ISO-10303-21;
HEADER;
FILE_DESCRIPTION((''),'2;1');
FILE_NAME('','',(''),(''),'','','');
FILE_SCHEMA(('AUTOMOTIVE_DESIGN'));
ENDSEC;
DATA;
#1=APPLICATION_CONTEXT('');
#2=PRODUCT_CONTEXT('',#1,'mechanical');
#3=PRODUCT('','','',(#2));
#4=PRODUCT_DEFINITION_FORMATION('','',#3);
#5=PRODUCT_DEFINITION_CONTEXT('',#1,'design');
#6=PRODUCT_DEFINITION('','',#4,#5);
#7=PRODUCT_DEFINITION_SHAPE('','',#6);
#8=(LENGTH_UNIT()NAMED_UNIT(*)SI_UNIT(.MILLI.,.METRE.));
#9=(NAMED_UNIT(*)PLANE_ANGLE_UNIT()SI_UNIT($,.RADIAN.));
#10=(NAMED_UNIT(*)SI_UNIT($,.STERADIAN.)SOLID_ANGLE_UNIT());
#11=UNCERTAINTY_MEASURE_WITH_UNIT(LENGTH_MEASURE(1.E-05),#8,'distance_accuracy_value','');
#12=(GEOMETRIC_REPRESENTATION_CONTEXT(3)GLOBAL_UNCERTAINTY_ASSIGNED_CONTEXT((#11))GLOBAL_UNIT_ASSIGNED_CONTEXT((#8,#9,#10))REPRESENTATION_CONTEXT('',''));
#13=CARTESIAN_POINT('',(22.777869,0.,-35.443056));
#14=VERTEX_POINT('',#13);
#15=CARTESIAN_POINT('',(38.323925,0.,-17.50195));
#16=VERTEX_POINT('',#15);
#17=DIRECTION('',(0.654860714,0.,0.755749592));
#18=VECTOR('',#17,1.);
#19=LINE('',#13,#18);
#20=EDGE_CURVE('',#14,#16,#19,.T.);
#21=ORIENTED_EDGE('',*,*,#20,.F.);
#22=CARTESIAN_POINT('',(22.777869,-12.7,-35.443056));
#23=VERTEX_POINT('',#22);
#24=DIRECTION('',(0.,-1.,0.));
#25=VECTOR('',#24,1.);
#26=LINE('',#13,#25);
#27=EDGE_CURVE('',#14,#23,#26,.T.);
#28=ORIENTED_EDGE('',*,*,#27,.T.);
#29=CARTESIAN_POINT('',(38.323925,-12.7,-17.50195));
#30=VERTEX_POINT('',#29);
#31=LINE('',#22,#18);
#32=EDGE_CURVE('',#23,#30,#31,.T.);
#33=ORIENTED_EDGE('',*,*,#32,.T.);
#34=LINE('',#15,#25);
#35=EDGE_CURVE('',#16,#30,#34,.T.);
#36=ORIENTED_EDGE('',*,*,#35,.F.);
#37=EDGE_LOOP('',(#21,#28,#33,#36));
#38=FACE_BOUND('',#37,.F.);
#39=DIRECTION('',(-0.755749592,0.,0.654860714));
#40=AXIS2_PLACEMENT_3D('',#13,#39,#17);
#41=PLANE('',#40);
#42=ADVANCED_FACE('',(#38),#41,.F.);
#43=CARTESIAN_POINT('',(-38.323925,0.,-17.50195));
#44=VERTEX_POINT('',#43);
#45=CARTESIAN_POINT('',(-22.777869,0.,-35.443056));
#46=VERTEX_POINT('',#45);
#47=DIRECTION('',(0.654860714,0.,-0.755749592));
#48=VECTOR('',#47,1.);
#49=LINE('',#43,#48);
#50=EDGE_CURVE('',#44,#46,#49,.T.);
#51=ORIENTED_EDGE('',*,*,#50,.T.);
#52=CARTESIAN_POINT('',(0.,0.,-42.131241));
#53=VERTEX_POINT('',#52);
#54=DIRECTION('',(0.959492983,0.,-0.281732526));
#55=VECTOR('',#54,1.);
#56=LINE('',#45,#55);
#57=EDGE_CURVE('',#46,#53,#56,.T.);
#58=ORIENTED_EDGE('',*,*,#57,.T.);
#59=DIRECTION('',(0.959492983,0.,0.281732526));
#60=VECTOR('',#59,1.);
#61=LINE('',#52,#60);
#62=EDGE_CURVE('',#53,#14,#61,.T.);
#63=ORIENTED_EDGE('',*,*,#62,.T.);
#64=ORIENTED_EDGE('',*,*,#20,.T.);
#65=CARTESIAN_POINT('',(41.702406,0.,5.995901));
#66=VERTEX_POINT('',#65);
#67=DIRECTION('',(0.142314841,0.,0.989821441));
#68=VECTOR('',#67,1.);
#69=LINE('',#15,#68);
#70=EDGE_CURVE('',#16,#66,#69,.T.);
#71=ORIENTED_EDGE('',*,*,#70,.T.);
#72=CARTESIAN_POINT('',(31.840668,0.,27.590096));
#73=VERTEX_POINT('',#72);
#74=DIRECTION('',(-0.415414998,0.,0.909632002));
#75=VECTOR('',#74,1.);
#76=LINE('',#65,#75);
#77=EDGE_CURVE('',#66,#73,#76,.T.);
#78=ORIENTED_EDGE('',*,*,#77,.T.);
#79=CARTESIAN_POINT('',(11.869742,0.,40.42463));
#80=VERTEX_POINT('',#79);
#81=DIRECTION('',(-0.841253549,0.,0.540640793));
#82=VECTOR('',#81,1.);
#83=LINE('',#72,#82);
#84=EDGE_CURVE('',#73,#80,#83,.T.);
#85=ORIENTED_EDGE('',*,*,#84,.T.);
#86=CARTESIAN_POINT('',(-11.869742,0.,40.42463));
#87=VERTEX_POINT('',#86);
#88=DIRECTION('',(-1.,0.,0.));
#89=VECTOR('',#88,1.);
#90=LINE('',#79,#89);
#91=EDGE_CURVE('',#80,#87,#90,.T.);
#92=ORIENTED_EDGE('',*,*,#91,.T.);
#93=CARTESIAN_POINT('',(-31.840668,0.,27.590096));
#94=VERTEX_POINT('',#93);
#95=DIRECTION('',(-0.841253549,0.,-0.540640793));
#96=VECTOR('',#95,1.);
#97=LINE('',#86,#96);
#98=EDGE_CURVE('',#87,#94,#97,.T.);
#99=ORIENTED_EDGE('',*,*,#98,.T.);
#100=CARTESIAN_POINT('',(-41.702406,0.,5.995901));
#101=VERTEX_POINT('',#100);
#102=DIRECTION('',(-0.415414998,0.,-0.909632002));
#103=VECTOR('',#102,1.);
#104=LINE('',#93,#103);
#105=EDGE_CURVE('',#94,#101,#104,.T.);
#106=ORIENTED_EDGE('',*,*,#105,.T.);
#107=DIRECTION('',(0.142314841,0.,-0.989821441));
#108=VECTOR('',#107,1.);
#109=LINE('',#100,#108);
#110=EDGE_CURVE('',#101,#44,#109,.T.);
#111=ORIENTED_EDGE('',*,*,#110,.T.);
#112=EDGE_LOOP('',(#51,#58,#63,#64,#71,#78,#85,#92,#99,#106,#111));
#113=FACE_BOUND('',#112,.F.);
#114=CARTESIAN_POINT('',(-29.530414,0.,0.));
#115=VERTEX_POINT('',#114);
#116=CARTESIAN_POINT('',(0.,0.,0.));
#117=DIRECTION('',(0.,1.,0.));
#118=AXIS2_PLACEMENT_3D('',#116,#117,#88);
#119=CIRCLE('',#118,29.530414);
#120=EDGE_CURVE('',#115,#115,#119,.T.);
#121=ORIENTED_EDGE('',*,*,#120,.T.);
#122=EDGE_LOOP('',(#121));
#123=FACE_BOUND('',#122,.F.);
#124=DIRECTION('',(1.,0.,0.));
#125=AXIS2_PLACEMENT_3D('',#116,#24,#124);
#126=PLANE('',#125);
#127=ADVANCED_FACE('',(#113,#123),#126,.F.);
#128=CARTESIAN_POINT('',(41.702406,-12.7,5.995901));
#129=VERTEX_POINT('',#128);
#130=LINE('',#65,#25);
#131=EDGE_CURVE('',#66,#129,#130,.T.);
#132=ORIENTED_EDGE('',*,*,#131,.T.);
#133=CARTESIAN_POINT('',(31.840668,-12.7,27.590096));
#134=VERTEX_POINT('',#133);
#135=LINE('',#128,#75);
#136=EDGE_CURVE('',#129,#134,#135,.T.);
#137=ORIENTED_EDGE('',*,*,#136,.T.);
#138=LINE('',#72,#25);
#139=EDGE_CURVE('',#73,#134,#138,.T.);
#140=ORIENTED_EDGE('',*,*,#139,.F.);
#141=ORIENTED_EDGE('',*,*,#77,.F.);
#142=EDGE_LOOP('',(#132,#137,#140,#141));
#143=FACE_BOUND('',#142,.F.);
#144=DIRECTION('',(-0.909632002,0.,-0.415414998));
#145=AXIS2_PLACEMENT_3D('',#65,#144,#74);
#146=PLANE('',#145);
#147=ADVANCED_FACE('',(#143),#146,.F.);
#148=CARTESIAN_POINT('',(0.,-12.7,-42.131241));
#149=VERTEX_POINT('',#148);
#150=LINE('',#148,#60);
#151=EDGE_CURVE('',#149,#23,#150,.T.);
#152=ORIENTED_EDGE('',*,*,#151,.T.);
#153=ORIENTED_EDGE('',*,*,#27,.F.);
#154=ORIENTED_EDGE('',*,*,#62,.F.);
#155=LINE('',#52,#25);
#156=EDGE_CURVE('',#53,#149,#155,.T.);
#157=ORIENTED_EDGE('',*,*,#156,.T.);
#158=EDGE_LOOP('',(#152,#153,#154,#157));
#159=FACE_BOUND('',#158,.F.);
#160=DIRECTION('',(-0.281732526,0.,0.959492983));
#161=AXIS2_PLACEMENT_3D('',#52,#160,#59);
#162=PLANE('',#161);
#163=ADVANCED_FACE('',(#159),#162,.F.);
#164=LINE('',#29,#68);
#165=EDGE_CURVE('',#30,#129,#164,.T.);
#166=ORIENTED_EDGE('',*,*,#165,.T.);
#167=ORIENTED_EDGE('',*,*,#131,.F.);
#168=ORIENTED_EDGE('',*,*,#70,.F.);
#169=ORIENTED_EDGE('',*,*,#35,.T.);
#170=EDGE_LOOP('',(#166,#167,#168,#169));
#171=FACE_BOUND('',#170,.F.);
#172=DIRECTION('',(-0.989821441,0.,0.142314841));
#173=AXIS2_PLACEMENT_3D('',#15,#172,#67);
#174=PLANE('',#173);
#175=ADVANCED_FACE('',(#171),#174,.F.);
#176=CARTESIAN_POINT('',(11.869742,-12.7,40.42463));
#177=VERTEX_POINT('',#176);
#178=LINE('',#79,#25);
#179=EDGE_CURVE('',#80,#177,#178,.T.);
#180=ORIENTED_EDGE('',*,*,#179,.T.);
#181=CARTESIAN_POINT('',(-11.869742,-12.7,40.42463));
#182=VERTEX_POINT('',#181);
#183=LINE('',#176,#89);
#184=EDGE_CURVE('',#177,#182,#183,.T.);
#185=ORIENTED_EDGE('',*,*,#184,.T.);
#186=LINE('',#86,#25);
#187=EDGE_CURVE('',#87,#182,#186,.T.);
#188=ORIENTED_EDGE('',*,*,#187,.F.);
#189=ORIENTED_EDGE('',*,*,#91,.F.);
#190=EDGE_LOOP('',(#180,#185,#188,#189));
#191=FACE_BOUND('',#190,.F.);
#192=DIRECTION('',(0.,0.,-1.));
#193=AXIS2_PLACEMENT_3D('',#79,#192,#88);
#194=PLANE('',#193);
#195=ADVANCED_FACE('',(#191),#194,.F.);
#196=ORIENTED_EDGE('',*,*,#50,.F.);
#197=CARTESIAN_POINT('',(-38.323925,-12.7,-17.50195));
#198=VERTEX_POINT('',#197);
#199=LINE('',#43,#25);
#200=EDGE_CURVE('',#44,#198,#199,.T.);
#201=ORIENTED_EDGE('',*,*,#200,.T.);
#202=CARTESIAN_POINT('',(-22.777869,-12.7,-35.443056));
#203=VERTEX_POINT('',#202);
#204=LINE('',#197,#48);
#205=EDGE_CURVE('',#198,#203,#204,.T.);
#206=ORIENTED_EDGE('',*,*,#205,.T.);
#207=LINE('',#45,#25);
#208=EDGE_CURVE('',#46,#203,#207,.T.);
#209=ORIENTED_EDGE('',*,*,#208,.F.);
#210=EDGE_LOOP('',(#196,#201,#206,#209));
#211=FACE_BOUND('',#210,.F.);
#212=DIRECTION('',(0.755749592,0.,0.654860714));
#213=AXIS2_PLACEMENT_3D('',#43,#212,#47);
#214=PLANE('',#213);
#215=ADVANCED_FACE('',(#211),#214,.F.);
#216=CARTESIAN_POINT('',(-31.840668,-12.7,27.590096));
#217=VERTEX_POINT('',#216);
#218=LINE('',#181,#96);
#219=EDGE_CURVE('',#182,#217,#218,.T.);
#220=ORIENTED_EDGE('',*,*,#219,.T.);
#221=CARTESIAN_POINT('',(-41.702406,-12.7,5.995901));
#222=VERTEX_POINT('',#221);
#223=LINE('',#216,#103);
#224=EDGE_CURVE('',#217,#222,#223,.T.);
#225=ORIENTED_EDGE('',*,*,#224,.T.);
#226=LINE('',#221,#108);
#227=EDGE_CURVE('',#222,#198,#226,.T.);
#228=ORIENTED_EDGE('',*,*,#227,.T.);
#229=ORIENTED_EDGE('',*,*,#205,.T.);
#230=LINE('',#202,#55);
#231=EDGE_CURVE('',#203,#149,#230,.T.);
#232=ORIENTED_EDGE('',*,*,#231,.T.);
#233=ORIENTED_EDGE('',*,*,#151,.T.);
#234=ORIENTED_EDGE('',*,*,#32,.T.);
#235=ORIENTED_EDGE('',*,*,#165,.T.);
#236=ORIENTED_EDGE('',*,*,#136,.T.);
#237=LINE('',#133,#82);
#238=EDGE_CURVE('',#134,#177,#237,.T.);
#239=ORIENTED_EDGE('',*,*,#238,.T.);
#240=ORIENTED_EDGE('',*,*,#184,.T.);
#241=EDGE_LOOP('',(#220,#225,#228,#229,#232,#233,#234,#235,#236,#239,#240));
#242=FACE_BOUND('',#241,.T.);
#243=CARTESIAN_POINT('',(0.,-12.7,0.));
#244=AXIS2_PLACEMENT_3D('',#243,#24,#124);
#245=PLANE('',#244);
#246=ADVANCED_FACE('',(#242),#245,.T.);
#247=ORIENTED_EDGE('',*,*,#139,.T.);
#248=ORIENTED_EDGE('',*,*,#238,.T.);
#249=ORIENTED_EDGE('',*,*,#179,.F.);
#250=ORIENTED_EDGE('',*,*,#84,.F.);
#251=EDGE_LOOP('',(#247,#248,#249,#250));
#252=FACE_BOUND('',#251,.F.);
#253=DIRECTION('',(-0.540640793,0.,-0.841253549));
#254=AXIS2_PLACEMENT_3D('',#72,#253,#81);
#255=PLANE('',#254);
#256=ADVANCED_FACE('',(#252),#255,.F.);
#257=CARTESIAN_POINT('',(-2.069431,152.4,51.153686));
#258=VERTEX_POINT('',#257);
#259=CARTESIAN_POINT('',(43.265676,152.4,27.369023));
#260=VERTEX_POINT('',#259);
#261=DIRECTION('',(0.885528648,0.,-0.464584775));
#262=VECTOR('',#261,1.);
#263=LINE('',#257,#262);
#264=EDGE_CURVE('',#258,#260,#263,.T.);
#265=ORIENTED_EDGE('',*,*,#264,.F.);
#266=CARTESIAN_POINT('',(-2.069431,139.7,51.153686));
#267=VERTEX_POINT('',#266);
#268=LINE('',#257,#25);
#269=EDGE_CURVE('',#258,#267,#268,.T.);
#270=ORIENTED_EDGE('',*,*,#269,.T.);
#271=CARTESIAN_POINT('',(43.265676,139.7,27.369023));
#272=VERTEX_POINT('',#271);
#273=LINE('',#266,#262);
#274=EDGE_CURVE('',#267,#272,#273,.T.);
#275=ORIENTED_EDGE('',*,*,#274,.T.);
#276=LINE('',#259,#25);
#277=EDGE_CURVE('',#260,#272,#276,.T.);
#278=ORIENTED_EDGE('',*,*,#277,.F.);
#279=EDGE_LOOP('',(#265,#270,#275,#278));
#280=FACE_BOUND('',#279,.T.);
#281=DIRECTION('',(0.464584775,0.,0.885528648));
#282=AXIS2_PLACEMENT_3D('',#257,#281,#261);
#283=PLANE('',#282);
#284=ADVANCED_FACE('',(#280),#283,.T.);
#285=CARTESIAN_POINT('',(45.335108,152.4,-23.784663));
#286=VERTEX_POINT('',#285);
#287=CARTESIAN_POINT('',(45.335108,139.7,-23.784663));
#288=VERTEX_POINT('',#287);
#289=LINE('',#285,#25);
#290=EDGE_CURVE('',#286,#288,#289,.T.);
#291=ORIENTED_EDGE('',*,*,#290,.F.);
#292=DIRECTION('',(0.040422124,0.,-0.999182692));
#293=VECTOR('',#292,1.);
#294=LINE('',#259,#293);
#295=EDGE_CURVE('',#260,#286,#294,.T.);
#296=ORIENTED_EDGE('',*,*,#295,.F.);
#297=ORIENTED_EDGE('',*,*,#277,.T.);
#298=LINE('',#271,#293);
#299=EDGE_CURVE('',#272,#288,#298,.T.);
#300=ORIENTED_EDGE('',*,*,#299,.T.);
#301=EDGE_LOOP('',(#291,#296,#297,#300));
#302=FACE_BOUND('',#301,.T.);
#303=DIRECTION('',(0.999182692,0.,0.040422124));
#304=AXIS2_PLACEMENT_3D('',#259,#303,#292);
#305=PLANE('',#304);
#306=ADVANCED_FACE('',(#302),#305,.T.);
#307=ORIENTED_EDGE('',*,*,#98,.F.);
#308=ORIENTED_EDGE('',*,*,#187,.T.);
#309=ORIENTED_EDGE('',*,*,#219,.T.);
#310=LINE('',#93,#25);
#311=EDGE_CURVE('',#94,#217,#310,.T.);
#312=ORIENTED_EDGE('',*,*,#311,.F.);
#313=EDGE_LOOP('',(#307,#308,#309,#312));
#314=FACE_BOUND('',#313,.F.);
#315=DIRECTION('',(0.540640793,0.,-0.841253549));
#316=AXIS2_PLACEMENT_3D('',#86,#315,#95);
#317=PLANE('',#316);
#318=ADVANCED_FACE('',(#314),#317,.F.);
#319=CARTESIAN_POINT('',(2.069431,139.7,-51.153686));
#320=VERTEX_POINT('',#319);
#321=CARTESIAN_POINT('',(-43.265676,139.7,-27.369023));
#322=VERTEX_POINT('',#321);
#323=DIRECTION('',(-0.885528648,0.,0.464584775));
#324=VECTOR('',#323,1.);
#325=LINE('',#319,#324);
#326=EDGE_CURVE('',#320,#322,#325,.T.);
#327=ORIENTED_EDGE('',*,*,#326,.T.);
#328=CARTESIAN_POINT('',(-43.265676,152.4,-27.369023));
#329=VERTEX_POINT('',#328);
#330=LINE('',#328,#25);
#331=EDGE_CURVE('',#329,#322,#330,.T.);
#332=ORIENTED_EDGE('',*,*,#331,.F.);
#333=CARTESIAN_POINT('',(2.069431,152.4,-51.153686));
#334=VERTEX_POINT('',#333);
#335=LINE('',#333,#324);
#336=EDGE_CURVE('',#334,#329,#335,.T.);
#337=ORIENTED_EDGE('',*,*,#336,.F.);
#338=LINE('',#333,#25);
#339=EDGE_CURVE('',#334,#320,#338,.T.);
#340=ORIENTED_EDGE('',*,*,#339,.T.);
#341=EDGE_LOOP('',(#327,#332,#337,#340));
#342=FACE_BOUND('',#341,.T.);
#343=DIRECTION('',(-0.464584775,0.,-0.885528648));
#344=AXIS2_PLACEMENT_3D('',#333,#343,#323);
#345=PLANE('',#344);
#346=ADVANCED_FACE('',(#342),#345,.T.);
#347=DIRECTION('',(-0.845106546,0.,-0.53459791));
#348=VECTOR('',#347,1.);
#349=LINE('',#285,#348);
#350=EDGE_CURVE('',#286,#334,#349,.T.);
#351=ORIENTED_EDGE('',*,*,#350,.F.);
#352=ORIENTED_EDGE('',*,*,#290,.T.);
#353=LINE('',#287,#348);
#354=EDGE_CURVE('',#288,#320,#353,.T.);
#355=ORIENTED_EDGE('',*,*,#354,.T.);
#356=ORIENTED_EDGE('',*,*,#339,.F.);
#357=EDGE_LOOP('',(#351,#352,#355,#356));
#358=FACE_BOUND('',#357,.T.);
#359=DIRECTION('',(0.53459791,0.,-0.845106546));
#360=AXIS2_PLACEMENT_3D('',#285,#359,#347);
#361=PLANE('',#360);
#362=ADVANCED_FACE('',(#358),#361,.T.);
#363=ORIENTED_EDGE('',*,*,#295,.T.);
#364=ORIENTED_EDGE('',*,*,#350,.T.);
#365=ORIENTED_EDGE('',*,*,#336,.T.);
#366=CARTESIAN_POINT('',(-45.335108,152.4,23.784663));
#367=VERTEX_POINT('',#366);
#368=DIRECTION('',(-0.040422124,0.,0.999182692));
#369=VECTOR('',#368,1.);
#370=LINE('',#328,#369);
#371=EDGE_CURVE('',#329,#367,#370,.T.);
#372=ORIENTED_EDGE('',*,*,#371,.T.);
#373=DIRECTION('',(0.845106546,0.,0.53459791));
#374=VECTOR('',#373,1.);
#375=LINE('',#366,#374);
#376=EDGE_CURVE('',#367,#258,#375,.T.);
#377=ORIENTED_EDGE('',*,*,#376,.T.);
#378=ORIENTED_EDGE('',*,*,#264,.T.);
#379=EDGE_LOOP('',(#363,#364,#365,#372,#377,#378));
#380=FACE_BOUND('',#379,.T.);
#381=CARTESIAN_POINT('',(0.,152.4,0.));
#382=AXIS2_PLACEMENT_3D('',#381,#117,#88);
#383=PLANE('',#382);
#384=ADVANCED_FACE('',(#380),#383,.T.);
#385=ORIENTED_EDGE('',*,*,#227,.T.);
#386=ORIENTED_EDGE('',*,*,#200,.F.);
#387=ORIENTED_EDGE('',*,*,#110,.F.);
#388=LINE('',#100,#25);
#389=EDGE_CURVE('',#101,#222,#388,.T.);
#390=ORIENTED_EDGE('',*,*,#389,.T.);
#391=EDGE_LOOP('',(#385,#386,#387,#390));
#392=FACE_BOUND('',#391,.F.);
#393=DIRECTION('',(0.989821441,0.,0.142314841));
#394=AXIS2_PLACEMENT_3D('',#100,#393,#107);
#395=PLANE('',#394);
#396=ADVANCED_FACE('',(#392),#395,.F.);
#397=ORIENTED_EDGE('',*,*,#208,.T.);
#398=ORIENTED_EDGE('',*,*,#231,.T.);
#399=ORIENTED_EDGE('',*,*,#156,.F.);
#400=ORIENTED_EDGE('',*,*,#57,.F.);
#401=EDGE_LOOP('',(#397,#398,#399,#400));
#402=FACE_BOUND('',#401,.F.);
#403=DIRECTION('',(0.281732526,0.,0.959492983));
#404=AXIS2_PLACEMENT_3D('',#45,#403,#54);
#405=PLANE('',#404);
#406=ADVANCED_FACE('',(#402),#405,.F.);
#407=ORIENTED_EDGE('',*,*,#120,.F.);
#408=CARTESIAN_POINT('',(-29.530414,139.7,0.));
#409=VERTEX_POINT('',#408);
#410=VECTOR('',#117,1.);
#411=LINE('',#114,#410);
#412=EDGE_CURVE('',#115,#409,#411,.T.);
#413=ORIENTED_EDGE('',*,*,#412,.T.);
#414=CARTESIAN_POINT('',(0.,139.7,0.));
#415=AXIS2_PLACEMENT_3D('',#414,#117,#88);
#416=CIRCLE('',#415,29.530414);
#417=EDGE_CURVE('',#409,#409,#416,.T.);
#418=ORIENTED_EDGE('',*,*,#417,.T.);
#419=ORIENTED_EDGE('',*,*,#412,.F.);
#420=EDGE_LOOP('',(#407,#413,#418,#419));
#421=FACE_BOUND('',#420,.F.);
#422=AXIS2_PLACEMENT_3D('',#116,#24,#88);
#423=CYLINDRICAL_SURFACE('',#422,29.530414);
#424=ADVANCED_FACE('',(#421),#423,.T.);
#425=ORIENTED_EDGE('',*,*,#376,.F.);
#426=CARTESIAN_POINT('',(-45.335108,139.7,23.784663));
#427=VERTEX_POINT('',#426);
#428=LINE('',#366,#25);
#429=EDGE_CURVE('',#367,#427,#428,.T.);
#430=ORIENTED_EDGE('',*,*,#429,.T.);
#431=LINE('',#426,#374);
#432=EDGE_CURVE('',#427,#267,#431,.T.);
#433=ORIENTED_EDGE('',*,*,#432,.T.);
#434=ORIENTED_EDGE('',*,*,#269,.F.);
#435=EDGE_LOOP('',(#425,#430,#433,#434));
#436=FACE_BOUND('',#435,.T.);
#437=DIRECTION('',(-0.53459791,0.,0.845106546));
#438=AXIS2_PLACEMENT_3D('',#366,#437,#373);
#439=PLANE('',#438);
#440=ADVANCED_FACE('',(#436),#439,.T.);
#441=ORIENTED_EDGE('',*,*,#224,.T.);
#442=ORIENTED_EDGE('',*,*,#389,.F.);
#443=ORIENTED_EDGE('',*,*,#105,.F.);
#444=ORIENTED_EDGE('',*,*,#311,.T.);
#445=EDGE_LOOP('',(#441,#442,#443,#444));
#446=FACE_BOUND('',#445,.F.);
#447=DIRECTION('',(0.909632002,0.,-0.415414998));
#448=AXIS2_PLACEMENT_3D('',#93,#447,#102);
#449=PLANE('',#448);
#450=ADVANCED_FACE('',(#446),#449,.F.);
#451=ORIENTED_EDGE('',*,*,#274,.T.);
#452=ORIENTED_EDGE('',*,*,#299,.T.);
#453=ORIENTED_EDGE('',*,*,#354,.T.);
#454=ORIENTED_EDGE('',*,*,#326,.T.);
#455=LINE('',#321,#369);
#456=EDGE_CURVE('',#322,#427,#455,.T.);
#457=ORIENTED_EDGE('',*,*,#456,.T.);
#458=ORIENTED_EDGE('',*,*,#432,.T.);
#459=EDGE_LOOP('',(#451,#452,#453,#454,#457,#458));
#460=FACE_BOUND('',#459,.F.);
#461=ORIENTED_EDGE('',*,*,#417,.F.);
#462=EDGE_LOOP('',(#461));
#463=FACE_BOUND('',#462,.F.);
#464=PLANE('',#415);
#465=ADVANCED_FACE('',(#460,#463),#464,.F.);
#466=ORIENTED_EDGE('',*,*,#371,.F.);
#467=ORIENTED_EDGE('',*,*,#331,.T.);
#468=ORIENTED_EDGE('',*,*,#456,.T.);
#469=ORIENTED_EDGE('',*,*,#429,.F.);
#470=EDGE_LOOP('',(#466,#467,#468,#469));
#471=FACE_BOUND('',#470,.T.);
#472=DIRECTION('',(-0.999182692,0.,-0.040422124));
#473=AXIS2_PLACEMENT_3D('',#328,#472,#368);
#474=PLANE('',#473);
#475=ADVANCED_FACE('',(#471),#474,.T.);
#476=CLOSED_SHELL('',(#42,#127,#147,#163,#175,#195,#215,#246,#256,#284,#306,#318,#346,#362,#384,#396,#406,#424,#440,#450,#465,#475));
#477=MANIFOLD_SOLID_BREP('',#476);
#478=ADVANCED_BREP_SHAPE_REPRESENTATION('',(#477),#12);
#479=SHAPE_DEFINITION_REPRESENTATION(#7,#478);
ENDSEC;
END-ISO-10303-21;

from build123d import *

# Parameters (mm, degrees)
F1_DEPTH = 12.7
F2_R     = 29.530414
F3_DEPTH = 152.4
F4_R     = 29.530414
F5_DEPTH = 12.7


with BuildPart() as f1:
    # F0 (on Front) → F1 (new body)
    with BuildSketch(Plane.XZ):
        Polygon((11.869742, 40.42463), (-11.869742, 40.42463), (-31.840668, 27.590096), (-41.702406, 5.995901), (-38.323925, -17.50195), (-22.777869, -35.443056), (0, -42.131241), (22.777869, -35.443056), (38.323925, -17.50195), (41.702406, 5.995901), (31.840668, 27.590096), align=None)
    extrude(amount=F1_DEPTH)

    # F2 (on face) → F3 (join)
    with BuildSketch(Plane(origin=(0, 0, 0), x_dir=(-1, 0, 0), z_dir=(0, 1, 0))):
        Circle(F2_R)
    extrude(amount=F3_DEPTH)

    # F4 (on face) → F5 (join)
    with BuildSketch(Plane(origin=(0, 152.4, 0), x_dir=(-1, 0, 0), z_dir=(0, 1, 0))):
        Polygon((45.335108, 23.784663), (2.069431, 51.153686), (-43.265676, 27.369023), (-45.335108, -23.784663), (-2.069431, -51.153686), (43.265676, -27.369023), align=None)
        Circle(F4_R, mode=Mode.SUBTRACT)
    extrude(amount=-F5_DEPTH)


solid = f1.part
